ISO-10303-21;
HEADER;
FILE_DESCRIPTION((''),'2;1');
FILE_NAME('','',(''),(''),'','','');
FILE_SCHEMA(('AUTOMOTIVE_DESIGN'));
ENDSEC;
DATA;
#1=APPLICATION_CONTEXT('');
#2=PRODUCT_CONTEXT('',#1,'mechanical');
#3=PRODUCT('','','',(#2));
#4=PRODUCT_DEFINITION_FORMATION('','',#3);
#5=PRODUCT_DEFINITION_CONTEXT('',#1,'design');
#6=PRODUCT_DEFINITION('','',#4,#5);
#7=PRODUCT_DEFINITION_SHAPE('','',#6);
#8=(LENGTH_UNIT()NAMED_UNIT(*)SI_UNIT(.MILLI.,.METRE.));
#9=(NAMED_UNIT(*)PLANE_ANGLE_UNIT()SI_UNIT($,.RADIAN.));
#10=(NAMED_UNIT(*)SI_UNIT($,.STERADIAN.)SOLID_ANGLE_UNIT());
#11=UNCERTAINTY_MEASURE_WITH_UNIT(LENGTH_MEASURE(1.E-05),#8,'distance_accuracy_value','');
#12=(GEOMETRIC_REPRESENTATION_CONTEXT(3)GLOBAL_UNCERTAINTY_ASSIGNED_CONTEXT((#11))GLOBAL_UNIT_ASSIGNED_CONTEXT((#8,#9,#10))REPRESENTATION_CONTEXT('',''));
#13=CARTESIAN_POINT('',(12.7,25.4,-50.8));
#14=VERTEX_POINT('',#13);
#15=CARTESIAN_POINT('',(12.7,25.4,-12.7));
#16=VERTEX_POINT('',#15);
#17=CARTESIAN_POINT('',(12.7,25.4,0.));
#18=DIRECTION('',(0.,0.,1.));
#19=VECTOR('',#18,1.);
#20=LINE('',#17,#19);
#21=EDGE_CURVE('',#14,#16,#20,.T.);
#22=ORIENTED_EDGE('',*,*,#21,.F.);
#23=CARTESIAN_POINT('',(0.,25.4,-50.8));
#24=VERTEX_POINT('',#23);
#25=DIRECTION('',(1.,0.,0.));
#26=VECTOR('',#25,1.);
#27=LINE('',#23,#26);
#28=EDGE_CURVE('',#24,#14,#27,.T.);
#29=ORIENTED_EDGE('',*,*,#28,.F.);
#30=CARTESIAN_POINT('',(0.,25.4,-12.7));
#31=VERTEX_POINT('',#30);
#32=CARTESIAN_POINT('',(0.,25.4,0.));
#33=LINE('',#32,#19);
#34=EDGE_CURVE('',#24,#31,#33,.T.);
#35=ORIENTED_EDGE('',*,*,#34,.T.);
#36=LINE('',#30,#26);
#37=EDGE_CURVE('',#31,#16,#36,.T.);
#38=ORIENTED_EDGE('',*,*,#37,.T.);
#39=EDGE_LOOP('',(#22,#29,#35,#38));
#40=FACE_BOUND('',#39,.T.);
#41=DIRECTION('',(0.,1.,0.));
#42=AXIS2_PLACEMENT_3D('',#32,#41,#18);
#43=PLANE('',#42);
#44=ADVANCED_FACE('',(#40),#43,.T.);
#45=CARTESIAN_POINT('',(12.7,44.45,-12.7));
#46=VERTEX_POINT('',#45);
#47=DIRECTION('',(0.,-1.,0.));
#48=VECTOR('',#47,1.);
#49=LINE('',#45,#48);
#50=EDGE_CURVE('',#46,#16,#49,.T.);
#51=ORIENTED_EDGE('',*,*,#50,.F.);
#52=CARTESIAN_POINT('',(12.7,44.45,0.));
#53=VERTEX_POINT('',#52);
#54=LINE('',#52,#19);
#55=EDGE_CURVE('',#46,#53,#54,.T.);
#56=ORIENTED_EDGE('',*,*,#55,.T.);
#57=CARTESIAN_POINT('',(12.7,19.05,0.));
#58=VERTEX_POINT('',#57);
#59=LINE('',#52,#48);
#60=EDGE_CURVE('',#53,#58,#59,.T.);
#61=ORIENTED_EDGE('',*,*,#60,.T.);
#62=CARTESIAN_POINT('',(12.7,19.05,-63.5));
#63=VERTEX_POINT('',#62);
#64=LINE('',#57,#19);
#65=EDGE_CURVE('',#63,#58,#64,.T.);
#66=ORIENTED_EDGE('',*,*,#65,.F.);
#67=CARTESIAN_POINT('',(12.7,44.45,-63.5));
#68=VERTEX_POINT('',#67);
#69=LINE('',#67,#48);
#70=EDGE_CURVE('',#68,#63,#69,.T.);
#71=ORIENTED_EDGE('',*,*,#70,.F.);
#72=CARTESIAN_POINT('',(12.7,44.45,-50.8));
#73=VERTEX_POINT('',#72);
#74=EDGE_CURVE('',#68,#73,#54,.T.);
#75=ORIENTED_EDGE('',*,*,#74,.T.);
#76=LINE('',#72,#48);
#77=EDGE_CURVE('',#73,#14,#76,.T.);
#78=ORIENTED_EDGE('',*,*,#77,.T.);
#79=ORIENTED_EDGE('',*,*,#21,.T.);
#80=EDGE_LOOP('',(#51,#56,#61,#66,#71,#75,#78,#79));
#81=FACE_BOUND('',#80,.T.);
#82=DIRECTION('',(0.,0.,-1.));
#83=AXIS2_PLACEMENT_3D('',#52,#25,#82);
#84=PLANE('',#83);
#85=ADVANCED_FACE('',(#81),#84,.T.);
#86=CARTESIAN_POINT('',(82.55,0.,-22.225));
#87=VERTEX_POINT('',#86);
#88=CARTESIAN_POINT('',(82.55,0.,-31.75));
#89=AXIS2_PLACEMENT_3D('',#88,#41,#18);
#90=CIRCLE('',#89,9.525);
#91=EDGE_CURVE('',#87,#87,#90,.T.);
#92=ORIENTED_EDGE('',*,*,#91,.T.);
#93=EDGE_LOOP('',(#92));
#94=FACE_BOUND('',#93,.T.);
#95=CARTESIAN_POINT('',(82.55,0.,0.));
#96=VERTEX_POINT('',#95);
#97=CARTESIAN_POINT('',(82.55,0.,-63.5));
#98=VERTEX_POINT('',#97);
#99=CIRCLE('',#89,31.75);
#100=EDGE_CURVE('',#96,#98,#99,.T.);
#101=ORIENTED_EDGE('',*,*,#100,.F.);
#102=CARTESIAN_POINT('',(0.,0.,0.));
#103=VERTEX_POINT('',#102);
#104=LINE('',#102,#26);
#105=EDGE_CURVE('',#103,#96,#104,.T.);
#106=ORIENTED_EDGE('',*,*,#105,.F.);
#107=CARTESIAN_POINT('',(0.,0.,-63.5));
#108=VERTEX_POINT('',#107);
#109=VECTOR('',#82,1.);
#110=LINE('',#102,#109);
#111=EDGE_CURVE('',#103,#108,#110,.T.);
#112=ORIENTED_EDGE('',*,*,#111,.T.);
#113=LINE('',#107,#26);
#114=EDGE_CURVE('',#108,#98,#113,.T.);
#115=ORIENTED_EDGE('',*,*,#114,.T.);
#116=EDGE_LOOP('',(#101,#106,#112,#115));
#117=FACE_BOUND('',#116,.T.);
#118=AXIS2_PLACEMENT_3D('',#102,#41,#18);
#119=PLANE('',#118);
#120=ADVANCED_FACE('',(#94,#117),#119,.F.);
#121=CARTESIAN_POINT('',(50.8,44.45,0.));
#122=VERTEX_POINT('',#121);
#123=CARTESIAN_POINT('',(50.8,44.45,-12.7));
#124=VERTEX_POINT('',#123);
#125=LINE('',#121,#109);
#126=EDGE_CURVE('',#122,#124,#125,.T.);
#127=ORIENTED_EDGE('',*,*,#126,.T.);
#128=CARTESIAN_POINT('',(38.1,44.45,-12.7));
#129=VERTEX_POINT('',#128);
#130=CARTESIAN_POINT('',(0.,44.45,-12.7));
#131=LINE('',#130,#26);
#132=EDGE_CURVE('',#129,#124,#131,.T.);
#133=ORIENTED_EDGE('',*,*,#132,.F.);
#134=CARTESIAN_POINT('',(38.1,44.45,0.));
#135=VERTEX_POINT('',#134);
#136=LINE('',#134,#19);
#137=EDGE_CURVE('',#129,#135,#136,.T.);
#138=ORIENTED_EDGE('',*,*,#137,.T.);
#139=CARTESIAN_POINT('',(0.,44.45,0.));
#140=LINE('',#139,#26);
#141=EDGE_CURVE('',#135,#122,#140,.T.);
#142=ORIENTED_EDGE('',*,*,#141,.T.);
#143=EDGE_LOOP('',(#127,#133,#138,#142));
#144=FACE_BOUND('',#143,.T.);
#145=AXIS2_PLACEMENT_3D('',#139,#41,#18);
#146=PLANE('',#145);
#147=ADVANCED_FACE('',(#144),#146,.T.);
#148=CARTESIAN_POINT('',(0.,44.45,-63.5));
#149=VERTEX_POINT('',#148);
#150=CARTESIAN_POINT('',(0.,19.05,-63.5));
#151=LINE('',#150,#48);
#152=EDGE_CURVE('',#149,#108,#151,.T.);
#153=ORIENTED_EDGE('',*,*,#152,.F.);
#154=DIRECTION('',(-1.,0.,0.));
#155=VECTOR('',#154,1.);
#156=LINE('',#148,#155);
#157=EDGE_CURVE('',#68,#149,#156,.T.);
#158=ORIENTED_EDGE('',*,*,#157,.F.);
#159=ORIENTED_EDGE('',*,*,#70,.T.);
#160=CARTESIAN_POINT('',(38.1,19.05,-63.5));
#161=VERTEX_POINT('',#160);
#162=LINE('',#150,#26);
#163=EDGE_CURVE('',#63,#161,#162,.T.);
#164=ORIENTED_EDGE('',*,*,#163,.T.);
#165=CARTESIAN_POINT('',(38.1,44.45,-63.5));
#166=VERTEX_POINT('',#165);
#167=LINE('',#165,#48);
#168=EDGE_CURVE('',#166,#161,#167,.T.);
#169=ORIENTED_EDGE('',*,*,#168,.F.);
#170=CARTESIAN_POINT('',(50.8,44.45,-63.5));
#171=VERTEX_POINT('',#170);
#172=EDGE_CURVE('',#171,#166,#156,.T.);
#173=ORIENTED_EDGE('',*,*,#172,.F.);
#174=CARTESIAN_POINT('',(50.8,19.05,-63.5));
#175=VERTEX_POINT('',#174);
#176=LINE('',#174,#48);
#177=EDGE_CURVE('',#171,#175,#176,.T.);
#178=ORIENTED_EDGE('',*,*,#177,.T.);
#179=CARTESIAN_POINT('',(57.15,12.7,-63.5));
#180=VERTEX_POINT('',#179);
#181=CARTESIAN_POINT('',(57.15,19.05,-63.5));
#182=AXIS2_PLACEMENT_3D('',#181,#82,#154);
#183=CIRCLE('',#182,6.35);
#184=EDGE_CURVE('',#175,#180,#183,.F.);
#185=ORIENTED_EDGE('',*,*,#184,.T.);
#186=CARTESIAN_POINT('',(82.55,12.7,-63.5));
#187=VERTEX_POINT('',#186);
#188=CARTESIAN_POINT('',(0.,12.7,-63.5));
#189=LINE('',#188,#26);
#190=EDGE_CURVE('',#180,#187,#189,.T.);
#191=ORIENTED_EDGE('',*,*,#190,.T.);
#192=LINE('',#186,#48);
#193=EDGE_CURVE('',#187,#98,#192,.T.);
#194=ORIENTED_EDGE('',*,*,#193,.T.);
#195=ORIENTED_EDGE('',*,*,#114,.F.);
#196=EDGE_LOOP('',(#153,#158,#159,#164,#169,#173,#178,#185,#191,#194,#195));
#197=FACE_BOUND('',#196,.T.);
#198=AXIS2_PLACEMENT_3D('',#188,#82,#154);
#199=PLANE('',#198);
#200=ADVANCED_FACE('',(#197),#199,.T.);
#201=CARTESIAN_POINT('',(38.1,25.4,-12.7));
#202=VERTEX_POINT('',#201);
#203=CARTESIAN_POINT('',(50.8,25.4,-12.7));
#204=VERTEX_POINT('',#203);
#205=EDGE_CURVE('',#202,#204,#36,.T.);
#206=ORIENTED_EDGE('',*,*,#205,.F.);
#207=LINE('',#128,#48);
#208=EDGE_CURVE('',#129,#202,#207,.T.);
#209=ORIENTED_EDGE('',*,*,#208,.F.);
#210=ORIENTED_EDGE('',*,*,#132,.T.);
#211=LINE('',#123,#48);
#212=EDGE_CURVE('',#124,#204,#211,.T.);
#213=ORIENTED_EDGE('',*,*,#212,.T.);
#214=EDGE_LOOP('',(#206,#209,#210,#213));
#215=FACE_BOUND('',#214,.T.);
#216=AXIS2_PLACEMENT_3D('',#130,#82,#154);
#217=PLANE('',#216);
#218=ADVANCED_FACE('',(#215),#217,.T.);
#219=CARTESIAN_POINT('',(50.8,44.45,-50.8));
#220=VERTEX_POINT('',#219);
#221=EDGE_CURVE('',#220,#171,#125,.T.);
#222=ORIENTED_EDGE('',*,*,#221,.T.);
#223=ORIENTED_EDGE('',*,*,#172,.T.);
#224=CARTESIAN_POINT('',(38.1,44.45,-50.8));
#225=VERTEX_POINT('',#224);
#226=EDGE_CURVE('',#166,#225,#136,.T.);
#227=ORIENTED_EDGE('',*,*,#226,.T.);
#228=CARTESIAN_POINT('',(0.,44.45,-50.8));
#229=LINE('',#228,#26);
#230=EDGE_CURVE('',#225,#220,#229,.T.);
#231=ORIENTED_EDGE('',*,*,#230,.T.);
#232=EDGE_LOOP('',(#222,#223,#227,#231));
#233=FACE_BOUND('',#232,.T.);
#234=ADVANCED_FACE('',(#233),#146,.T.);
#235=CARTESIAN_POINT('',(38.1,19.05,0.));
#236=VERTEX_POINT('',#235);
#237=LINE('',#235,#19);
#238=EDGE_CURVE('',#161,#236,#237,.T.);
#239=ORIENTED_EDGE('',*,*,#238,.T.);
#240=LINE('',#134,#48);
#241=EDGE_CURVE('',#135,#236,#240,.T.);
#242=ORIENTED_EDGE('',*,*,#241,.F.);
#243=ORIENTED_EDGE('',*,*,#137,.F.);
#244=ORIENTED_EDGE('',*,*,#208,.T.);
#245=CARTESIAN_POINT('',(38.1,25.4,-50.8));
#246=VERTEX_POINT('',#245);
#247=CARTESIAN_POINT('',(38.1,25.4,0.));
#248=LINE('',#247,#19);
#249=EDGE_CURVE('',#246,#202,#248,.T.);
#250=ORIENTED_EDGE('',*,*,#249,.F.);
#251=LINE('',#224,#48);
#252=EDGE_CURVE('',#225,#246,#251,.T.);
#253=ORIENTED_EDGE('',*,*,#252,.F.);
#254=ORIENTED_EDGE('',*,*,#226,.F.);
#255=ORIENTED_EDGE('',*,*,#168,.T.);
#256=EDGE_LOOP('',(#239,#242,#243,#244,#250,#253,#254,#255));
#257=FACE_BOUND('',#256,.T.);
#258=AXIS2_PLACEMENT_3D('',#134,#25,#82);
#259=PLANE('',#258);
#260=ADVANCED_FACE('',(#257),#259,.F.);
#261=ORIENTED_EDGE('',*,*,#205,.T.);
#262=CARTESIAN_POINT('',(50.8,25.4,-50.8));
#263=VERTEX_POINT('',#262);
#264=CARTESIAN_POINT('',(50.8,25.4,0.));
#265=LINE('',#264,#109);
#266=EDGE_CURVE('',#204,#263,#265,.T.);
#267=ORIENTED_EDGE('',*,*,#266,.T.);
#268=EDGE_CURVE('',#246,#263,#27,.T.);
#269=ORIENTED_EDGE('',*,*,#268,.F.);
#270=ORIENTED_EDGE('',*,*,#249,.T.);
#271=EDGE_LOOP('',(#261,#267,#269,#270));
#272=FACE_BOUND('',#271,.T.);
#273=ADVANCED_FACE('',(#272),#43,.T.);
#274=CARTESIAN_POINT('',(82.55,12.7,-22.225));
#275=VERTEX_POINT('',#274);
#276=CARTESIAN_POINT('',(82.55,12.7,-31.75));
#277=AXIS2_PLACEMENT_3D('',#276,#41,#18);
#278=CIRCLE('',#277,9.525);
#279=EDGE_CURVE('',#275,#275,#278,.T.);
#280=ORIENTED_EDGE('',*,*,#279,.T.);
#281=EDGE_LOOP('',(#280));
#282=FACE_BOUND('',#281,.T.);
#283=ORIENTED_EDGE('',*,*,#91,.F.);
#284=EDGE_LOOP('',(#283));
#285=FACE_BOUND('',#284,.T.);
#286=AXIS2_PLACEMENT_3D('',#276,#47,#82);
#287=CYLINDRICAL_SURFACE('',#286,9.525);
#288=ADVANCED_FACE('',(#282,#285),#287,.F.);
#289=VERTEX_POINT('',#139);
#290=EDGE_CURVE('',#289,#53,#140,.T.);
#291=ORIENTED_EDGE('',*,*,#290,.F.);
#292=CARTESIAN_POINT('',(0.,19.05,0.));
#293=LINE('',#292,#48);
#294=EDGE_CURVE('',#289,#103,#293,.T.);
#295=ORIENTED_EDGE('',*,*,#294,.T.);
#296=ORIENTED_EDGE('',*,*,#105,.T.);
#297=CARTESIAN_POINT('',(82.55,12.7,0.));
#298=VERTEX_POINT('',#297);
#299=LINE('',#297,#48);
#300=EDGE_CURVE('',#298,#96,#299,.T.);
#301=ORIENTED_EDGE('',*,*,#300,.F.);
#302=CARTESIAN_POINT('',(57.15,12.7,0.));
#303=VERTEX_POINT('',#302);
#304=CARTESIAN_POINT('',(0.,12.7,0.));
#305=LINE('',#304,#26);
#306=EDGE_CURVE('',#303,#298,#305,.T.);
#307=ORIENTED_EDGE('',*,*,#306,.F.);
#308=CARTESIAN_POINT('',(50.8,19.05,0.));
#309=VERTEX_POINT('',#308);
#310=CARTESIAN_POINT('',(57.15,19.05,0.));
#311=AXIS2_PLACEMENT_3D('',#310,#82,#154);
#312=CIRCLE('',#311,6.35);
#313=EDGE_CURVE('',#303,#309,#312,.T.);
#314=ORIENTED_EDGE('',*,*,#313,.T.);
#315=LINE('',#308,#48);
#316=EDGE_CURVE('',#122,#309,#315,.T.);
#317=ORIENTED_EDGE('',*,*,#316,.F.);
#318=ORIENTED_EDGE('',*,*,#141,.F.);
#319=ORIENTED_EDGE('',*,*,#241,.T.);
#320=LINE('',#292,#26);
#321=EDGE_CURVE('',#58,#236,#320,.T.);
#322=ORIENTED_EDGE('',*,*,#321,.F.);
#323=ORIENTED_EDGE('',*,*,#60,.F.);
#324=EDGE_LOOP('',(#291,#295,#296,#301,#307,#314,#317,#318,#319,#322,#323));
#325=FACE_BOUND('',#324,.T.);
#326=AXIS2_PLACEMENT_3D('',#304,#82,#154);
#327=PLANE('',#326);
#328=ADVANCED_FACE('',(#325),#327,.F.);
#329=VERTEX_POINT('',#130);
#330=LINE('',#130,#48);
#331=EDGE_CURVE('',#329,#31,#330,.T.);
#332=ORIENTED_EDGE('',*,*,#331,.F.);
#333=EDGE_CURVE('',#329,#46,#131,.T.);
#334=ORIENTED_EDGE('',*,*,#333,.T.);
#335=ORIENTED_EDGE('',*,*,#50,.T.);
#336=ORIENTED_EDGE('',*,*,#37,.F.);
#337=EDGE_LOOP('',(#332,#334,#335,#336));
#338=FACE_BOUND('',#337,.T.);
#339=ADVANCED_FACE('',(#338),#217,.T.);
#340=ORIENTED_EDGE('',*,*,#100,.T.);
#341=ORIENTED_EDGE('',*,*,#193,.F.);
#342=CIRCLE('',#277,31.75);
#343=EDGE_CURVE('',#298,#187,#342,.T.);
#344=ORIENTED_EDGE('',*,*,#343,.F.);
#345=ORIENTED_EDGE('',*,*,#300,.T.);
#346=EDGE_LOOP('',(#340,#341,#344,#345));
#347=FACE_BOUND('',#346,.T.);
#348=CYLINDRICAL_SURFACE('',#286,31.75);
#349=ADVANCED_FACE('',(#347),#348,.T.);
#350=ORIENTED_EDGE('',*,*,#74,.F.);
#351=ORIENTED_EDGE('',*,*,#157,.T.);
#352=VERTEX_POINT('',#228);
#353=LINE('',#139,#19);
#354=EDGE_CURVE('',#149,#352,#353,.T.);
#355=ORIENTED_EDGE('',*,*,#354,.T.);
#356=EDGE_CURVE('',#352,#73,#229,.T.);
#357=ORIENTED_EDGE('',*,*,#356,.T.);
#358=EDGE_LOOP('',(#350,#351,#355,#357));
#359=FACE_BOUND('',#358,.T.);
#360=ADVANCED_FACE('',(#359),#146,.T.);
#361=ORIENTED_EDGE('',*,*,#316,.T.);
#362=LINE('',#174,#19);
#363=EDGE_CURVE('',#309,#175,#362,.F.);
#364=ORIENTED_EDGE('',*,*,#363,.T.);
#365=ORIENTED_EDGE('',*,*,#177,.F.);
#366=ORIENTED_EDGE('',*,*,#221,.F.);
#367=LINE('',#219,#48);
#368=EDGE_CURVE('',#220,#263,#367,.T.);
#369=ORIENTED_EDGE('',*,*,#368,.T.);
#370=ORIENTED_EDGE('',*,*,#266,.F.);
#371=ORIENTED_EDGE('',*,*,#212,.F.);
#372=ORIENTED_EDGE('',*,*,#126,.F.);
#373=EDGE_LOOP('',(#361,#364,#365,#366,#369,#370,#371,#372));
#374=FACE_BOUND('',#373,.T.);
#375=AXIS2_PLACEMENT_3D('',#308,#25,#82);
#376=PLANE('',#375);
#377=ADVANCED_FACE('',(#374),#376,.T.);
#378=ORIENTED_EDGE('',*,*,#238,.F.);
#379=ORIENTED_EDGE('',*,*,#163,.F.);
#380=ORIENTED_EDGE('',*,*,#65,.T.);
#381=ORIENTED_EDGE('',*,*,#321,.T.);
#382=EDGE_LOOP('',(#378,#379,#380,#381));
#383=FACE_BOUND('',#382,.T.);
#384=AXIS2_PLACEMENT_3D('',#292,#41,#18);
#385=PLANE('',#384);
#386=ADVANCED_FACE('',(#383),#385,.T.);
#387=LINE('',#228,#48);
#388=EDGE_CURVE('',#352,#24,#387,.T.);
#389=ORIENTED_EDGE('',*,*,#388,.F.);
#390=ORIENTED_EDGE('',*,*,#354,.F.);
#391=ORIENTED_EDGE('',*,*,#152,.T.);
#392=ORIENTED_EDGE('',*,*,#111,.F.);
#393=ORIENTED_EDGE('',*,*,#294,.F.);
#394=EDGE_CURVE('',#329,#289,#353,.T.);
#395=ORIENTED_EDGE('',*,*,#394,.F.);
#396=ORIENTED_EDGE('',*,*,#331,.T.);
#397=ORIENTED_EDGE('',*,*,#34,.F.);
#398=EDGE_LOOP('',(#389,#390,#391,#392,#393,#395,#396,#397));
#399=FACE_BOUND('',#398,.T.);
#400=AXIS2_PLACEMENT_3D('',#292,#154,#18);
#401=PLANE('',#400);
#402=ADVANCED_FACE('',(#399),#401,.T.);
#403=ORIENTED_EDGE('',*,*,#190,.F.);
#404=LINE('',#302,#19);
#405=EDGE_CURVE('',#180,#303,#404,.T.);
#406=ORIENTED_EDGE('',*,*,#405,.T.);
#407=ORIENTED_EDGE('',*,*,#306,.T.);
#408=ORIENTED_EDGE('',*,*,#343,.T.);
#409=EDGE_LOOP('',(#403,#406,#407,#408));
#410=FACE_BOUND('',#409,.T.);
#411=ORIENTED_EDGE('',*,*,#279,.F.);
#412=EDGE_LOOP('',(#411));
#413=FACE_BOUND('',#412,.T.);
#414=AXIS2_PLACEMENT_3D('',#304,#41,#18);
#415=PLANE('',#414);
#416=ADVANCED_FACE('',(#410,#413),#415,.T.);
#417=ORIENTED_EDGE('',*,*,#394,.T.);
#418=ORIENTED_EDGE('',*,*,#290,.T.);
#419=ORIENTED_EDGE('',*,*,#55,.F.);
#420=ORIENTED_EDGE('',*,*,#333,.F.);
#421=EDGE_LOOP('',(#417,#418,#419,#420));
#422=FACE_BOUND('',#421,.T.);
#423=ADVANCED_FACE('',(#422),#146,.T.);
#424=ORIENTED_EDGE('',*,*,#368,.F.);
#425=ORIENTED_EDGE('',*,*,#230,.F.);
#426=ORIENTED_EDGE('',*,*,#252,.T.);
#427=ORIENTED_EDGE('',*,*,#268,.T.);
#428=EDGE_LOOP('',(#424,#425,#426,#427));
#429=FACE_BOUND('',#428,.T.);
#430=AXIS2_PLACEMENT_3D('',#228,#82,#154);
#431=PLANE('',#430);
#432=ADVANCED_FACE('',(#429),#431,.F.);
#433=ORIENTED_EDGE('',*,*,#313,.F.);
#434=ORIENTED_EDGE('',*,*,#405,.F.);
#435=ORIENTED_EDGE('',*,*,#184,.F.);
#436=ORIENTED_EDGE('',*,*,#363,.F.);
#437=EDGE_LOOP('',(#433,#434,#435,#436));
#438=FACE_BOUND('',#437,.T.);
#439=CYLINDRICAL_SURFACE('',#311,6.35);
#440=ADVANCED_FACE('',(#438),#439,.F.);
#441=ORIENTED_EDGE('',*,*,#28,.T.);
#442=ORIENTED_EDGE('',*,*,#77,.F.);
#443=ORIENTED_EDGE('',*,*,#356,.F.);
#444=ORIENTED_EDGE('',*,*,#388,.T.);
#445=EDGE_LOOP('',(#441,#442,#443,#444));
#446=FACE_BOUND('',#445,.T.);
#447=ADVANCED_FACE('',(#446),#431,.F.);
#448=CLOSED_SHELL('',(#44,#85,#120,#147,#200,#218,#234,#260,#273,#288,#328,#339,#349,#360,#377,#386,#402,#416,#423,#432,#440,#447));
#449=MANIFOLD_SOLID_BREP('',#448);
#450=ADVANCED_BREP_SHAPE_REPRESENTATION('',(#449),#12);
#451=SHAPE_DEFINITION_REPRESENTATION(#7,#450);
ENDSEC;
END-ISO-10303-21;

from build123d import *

# Parameters (mm, degrees)
SKETCH1_R           = 9.525
BOSS_EXTRUDE1_DEPTH = 12.7
BOSS_EXTRUDE2_DEPTH = 19.05
SKETCH6_W           = 12.7
SKETCH6_H           = 12.7
BOSS_EXTRUDE3_DEPTH = 25.4
SKETCH6_3_W         = 12.7
SKETCH6_3_H         = 38.1
BOSS_EXTRUDE4_DEPTH = 6.35
FILLET1_R           = 6.35


with BuildPart() as part:
    # Sketch1 → Boss-Extrude1 (new body)
    with BuildSketch(Plane(origin=(0, 0, 0), x_dir=(1, 0, 0), z_dir=(0, 1, 0))):
        with BuildLine():
            Line((82.55, 63.5), (50.8, 63.5))
            Line((50.8, 63.5), (50.8, 0))
            Line((50.8, 0), (82.55, 0))
            ThreePointArc((82.55, 0), (114.3, 31.75), (82.55, 63.5))
        make_face()
        with Locations((82.55, 31.75)):
            Circle(SKETCH1_R, mode=Mode.SUBTRACT)
    extrude(amount=BOSS_EXTRUDE1_DEPTH)

    # Sketch1<4> → Boss-Extrude2 (add)
    with BuildSketch(Plane(origin=(0, 0, 0), x_dir=(1, 0, 0), z_dir=(0, 1, 0))):
        Polygon((50.8, 31.749999876), (50.8, 63.5), (0, 63.5), (0, 0), (50.8, 0), align=None)
    extrude(amount=BOSS_EXTRUDE2_DEPTH)

    # Sketch6 → Boss-Extrude3 (add)
    with BuildSketch(Plane(origin=(0, 19.05, 0), x_dir=(1, 0, 0), z_dir=(0, 1, 0))):
        with Locations((6.35, 57.15)):
            Rectangle(SKETCH6_W, SKETCH6_H)
        with Locations((44.45, 57.15)):
            Rectangle(SKETCH6_W, SKETCH6_H)
        with Locations((6.35, 6.35)):
            Rectangle(SKETCH6_W, SKETCH6_H)
        with Locations((44.45, 6.35)):
            Rectangle(SKETCH6_W, SKETCH6_H)
    extrude(amount=BOSS_EXTRUDE3_DEPTH)

    # Sketch6<3> → Boss-Extrude4 (add)
    with BuildSketch(Plane(origin=(0, 19.05, 0), x_dir=(1, 0, 0), z_dir=(0, 1, 0))):
        with Locations((6.35, 31.75)):
            Rectangle(SKETCH6_3_W, SKETCH6_3_H)
        with Locations((44.45, 31.75)):
            Rectangle(SKETCH6_3_W, SKETCH6_3_H)
    extrude(amount=BOSS_EXTRUDE4_DEPTH)

    # Fillet1
    fillet1_edges = [part.edges().sort_by_distance(p)[0] for p in [
        (50.8, 12.7, -31.75),
    ]]
    fillet(fillet1_edges, radius=FILLET1_R)


solid = part.part
